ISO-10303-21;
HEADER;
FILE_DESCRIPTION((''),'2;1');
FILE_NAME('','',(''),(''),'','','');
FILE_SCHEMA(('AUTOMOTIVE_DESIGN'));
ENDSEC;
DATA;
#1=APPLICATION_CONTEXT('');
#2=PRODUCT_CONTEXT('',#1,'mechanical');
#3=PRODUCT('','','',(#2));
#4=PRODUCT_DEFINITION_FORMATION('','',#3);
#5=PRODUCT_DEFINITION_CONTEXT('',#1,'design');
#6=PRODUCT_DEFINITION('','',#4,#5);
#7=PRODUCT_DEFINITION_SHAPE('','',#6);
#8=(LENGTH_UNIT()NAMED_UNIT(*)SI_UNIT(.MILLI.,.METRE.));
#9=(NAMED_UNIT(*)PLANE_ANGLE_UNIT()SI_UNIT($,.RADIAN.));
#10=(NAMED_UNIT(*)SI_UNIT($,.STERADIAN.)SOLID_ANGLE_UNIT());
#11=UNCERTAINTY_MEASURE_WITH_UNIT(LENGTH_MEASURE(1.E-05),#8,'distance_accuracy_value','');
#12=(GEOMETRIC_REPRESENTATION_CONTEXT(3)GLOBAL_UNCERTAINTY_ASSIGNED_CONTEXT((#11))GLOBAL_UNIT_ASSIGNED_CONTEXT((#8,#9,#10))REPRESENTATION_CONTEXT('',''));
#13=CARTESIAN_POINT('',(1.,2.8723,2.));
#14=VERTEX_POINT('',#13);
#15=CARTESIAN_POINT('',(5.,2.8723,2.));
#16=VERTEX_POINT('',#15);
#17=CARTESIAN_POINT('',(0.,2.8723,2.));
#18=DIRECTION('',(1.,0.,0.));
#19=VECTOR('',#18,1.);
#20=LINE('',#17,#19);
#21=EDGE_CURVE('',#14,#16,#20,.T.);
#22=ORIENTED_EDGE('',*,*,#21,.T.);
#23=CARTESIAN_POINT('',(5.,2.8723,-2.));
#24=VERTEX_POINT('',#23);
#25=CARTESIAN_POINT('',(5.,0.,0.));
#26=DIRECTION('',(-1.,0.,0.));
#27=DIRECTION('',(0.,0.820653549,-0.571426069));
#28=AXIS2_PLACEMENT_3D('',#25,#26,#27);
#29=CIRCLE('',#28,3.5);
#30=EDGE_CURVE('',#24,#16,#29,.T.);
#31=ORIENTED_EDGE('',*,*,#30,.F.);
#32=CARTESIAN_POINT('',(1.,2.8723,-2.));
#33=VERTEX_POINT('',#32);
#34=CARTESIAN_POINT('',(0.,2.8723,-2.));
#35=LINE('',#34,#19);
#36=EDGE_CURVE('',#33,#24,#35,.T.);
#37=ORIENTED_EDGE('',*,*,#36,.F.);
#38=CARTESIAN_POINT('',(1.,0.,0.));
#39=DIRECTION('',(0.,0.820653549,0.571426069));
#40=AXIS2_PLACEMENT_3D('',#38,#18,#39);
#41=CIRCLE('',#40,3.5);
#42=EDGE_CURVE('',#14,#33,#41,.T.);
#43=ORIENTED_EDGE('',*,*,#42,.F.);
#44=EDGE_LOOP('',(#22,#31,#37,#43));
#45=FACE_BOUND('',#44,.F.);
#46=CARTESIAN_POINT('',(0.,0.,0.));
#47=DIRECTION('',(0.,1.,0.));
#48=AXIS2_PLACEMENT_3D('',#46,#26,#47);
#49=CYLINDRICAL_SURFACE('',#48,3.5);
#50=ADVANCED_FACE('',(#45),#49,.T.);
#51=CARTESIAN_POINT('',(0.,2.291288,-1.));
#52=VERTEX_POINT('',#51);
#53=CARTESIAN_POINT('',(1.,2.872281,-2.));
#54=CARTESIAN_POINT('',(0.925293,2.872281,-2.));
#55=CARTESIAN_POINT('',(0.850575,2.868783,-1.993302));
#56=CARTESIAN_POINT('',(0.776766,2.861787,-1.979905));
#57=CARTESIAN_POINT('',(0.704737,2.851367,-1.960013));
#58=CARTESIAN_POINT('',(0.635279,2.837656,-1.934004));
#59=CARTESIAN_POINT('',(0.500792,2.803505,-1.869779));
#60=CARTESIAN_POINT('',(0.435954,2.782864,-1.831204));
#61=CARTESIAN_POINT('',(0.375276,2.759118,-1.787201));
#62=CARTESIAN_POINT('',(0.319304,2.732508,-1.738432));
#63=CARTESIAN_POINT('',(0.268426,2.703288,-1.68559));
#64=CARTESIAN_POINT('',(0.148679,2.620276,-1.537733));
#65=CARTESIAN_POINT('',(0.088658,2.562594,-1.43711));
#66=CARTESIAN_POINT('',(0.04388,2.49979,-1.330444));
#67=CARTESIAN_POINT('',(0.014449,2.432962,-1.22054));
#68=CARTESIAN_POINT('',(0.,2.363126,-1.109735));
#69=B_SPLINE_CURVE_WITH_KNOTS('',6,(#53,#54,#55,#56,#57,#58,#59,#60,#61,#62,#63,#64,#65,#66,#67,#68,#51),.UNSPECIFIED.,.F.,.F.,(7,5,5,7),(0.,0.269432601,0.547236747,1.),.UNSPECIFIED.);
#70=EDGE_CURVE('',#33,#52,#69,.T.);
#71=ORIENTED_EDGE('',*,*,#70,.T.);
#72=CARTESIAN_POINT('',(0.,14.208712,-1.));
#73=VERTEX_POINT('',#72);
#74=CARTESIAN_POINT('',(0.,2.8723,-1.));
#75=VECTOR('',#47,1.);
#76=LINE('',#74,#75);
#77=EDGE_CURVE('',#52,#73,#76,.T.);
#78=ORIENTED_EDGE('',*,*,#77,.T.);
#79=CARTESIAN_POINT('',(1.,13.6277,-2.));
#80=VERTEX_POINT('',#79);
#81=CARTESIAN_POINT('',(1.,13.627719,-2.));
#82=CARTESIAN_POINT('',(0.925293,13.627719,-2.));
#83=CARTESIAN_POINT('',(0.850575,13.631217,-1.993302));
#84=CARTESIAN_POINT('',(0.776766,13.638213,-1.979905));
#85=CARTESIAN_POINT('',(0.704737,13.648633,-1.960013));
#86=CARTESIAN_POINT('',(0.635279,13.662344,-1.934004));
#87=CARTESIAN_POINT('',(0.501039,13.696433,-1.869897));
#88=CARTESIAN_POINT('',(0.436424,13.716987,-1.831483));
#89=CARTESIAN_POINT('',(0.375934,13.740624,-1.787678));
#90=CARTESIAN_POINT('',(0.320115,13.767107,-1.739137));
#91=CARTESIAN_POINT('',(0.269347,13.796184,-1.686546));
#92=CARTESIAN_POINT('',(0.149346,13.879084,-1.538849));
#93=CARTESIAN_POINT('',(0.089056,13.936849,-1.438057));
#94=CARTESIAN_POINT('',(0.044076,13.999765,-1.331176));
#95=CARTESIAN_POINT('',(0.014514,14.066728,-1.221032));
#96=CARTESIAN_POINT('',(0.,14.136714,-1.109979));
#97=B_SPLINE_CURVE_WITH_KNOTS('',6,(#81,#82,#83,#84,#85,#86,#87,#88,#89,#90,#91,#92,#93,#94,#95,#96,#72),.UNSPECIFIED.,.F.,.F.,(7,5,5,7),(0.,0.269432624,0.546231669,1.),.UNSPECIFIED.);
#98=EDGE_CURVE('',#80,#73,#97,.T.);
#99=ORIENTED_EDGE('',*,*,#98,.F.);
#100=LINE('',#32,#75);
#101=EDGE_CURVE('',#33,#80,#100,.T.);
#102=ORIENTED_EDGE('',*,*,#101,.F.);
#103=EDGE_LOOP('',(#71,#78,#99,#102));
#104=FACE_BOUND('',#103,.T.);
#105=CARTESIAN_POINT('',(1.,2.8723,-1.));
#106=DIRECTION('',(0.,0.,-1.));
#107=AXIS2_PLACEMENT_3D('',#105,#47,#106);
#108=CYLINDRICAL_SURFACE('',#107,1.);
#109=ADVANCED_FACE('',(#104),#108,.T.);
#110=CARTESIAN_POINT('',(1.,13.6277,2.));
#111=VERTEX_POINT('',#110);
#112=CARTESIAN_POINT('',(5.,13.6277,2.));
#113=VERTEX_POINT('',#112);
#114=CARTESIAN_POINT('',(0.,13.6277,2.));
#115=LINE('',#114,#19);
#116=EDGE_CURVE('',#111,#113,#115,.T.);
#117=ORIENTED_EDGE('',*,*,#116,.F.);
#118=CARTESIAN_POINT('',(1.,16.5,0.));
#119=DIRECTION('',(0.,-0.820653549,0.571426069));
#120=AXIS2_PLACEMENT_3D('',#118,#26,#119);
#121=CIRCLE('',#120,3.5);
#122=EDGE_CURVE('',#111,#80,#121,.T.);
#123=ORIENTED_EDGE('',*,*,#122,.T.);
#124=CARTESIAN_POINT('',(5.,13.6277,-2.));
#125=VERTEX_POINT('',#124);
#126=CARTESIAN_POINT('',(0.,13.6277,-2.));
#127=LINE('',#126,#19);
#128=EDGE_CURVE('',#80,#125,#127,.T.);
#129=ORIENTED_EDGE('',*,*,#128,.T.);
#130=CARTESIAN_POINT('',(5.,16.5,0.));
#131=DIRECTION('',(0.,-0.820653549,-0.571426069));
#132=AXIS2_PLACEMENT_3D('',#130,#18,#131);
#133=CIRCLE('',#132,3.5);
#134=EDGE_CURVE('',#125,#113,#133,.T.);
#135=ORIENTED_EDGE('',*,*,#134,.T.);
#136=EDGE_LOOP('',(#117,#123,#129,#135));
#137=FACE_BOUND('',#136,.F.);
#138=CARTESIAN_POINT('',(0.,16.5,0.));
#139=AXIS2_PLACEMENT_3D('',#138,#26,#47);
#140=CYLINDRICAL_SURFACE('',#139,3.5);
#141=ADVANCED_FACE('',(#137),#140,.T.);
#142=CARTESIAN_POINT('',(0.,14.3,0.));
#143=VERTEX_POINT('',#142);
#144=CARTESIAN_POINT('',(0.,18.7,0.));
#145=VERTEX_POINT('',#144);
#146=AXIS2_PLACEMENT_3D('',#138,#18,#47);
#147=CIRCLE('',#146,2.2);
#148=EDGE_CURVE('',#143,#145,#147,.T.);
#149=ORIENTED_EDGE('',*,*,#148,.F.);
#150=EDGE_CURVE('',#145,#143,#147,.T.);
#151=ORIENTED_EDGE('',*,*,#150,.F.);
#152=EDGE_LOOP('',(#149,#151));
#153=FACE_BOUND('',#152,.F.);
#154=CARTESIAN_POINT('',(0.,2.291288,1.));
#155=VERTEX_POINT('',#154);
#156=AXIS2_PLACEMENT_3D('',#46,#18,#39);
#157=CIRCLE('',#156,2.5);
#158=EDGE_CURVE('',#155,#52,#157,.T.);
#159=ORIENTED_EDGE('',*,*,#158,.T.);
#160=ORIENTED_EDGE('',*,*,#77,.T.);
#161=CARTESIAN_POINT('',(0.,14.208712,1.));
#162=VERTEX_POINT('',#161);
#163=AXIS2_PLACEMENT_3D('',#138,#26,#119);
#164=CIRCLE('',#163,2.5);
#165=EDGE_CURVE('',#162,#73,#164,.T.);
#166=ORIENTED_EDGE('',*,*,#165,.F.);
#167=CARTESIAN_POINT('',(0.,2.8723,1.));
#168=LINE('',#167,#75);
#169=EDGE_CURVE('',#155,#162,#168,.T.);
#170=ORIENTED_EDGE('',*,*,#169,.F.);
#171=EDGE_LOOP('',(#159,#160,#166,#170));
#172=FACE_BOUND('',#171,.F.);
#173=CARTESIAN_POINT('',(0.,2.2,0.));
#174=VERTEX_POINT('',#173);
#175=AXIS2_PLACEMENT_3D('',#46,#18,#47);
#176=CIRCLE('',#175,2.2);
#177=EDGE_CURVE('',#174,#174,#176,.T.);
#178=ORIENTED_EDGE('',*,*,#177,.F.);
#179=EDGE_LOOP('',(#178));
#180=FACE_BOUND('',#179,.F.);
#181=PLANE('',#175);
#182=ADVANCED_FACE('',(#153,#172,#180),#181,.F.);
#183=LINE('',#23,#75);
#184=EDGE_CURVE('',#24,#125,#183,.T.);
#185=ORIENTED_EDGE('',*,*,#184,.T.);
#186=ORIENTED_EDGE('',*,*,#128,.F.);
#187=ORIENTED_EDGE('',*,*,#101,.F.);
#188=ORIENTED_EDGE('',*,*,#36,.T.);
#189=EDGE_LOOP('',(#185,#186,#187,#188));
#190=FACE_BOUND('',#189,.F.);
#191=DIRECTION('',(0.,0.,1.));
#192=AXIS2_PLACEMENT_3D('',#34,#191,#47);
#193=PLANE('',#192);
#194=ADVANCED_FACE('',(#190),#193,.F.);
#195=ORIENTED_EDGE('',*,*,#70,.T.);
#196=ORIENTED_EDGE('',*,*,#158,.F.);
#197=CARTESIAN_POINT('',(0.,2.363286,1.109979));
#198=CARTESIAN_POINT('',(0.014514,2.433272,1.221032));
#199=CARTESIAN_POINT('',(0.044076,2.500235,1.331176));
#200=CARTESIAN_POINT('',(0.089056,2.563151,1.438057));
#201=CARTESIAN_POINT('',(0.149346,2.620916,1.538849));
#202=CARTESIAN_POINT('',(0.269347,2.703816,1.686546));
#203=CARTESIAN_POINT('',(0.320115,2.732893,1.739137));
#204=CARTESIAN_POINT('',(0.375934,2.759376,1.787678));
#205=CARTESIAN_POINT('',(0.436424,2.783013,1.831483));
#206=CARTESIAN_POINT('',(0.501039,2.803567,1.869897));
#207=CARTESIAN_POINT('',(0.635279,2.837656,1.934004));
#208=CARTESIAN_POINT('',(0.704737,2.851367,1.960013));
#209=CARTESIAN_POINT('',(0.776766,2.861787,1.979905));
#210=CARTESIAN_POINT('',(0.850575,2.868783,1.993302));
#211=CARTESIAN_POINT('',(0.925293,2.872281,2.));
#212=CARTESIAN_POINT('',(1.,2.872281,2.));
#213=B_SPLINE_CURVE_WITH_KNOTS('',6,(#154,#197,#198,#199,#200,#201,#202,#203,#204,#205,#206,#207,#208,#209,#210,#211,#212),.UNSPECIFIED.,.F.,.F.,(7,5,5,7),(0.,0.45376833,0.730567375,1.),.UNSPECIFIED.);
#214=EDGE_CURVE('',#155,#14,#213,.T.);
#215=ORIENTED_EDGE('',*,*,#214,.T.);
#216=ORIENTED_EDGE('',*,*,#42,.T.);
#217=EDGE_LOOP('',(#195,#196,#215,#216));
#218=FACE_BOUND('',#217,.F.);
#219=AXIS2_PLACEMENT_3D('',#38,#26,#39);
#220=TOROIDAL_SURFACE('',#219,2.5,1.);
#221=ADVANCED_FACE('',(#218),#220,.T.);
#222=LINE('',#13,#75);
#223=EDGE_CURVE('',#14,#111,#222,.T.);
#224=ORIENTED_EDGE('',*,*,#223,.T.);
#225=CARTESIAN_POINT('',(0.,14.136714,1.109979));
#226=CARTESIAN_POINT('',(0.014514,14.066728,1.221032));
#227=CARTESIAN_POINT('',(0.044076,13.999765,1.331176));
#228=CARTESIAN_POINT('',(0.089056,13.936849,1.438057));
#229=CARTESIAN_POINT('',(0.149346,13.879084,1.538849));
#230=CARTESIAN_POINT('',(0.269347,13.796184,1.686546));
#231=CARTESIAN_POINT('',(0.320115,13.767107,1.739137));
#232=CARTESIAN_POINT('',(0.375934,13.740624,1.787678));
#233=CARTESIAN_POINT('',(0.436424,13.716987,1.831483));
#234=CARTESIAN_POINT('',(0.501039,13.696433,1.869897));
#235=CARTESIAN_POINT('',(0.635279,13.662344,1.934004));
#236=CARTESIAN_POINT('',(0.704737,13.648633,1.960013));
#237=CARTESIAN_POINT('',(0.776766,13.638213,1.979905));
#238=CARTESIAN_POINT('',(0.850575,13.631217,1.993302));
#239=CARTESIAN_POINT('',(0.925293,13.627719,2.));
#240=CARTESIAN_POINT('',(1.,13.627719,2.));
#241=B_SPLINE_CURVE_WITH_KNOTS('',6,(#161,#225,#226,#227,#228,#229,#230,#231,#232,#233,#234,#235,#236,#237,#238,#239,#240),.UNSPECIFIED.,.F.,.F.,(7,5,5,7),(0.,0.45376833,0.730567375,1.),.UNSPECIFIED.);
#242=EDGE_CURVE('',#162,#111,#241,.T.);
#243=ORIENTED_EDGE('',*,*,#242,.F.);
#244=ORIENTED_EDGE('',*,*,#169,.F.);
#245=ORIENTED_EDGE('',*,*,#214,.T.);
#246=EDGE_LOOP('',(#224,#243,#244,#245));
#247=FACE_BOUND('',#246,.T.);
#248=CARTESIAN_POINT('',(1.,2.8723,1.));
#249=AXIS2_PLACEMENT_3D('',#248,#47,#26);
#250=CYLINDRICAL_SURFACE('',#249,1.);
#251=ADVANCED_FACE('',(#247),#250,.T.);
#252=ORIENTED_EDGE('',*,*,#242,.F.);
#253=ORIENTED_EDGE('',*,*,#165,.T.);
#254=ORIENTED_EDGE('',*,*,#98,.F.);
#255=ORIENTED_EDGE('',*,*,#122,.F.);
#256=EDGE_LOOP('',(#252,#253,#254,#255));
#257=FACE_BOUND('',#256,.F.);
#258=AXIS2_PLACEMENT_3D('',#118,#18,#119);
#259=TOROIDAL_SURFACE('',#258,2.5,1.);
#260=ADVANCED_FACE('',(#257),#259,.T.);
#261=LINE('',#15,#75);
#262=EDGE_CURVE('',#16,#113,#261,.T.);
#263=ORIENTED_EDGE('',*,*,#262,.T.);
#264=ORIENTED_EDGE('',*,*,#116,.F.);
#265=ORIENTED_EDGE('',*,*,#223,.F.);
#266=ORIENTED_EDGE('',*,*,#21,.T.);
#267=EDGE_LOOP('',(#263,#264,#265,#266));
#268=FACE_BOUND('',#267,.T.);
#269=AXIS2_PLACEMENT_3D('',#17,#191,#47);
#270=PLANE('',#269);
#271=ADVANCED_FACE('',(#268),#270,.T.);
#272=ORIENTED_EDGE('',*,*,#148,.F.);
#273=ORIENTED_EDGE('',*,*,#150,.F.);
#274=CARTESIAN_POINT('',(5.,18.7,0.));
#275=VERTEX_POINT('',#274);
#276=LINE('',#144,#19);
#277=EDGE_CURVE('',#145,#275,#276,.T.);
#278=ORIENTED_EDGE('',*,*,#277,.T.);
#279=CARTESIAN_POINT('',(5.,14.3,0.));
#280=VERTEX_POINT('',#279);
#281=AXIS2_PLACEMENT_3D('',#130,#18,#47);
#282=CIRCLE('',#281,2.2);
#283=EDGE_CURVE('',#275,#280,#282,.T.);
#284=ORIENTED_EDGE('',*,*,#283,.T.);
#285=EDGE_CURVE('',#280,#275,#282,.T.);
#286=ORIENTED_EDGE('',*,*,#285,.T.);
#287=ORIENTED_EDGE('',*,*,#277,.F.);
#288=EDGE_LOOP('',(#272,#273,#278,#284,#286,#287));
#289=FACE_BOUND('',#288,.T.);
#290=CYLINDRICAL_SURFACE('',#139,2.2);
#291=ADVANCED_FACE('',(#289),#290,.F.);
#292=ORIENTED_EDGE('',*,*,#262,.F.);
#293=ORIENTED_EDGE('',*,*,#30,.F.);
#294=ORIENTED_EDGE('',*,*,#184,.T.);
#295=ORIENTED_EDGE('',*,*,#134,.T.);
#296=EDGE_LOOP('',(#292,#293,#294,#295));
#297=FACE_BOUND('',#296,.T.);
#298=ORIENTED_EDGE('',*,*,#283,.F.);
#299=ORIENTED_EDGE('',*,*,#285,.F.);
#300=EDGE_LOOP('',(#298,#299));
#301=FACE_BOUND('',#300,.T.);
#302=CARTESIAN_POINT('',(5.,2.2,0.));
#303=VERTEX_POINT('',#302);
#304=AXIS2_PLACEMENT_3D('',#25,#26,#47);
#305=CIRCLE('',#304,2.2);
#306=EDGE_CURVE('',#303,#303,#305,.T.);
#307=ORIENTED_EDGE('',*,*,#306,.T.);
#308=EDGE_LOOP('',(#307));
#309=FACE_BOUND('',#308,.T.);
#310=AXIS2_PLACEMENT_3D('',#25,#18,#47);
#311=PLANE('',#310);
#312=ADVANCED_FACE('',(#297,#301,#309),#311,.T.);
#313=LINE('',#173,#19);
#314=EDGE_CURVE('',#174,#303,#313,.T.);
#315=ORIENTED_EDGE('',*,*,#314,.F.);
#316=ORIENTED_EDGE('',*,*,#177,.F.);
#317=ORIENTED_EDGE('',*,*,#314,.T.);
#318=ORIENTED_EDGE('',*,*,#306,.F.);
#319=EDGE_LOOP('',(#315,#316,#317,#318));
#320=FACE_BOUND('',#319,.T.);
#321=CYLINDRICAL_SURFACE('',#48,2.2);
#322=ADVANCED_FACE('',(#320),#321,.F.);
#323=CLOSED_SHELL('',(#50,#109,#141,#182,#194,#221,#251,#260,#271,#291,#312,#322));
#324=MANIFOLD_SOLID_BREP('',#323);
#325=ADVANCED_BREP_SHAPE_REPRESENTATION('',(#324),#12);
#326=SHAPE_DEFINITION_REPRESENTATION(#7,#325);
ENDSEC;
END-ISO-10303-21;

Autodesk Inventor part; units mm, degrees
ref_plane "YZ Plane" through (0, 0, 0) normal (1, 0, 0) x (0, 1, 0)
ref_plane "XZ Plane" through (0, 0, 0) normal (0, 1, 0) x (-1, 0, 0)
ref_plane "XY Plane" through (0, 0, 0) normal (0, 0, 1) x (1, 0, 0)
sketch "Boceto1" plane through (0, 0, 0) normal (1, 0, 0) x (0, 1, 0)
  circle A0 centre (0, 0) radius 2.2
  circle A1 centre (0, 0) radius 3.5
  line L0 (-3.5, 0) -> (16.5, 0)
  circle A2 centre (16.5, 0) radius 2.2
  circle A3 centre (16.5, 0) radius 3.5
  line L1 (2.8723, 2) -> (13.6277, 2)
  line L2 (2.8723, -2) -> (13.6277, -2)
  dimension "d0" = 4.4
  dimension "d1" = 7
  dimension "d2" = 20
  dimension "d3" = 4.4
  dimension "d4" = 7
extrude "Extrusión1" add sketch "Boceto1" along normal blind 5 contours L0 A1 A0 | A0 L0 A1 | L0 A3 L2 A1 | A1 L1 A3 L0 | A3
fillet "Empalme2" radius 1 4 edges at (0, 8.25, -2) (0, 8.25, 2) (0, 20, 0) (0, -3.5, 0)
properties part number "Barra_dedo"
